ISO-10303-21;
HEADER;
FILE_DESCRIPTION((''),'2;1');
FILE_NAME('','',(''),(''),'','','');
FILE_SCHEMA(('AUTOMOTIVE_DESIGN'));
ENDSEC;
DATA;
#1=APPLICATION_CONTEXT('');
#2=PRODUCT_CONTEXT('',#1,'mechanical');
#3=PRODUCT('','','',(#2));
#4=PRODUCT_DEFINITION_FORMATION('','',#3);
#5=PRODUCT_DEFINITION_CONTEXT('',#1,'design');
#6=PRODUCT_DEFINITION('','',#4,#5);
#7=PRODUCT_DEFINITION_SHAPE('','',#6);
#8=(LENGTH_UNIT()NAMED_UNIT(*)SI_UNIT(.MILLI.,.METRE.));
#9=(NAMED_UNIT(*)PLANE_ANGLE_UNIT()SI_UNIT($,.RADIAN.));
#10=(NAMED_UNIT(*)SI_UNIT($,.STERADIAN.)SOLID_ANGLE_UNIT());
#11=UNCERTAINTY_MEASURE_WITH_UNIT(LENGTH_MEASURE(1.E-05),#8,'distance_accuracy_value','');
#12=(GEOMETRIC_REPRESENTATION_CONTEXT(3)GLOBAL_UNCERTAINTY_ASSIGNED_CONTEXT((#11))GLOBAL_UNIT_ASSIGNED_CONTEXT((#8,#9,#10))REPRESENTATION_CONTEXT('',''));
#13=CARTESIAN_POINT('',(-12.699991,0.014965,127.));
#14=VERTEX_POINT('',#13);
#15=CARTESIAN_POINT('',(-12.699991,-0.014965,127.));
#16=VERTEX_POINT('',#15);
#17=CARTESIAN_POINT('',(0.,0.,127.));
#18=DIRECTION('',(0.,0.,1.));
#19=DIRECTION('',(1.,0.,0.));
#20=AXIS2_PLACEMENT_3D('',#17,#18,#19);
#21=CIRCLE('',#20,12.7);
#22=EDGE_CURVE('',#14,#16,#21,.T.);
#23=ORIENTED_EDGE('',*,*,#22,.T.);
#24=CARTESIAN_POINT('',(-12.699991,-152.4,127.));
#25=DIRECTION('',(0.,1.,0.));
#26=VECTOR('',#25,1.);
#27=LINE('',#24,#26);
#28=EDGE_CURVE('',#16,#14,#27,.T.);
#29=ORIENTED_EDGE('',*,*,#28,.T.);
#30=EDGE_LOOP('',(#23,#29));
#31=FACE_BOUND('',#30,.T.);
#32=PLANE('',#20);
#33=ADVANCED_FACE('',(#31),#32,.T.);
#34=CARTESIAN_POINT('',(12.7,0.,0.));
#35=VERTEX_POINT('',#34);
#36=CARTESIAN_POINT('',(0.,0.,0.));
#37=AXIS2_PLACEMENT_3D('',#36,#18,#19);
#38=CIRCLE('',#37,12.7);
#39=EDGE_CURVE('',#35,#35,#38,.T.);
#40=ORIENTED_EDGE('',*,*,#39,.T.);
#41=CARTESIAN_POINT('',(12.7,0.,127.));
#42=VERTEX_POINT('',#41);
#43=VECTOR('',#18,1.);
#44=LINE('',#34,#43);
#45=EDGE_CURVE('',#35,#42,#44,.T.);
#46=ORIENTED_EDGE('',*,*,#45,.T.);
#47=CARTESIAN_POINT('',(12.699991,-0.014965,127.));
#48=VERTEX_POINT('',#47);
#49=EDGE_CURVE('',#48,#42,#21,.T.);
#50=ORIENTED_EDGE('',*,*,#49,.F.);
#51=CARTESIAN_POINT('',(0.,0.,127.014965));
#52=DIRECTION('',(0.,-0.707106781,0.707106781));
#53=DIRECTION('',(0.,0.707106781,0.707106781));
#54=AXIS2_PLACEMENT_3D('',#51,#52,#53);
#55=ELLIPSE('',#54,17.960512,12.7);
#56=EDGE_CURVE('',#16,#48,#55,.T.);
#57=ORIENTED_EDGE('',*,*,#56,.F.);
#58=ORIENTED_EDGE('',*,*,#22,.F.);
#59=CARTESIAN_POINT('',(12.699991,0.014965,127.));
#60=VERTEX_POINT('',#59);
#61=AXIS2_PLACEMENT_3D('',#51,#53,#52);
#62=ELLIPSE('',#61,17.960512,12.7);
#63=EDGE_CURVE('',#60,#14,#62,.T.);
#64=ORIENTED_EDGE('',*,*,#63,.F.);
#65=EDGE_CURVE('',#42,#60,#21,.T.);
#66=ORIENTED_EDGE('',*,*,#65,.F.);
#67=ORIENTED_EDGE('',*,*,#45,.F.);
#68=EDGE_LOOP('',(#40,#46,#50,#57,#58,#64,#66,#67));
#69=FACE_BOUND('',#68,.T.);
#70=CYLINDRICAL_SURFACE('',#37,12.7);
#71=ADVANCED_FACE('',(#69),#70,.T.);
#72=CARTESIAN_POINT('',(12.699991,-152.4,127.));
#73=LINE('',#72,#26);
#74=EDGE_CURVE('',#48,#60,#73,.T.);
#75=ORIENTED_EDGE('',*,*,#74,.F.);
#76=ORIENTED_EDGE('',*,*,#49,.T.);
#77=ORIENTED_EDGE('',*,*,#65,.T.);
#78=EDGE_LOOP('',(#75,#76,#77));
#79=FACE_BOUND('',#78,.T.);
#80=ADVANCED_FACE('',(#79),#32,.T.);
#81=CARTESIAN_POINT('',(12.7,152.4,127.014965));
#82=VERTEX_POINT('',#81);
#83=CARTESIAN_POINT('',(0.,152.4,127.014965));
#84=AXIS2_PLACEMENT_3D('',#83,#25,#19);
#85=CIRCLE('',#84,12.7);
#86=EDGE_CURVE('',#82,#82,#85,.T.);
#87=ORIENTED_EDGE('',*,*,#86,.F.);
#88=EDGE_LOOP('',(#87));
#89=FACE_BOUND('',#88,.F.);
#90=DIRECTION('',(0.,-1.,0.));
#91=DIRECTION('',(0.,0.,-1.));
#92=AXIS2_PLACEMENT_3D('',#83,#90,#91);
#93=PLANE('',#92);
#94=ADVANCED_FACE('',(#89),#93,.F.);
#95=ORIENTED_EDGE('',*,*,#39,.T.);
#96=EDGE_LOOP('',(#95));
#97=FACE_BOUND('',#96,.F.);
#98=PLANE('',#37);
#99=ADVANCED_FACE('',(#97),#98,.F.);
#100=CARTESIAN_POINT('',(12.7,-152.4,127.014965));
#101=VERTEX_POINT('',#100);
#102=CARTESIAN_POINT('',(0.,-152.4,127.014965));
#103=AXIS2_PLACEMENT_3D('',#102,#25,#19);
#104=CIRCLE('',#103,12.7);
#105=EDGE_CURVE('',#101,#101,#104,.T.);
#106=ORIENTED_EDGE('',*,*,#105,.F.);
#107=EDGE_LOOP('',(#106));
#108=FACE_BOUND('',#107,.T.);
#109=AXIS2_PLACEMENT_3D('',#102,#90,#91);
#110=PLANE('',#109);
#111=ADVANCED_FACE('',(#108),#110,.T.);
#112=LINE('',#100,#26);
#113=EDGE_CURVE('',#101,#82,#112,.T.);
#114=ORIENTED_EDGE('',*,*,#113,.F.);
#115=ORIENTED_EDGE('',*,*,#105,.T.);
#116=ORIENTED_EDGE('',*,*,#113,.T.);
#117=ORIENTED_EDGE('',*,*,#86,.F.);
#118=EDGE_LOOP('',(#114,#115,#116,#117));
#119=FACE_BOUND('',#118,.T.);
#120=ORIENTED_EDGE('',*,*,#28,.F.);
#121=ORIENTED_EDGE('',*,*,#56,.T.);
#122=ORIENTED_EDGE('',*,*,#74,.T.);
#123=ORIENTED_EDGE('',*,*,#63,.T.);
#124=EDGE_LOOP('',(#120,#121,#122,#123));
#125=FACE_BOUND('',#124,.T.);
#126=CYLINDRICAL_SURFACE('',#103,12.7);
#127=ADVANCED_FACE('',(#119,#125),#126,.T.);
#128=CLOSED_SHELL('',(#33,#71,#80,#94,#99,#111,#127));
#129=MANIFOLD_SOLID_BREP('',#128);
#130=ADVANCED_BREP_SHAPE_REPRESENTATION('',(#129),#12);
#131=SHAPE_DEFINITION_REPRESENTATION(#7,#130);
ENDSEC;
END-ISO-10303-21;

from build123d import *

# Parameters (mm, degrees)
F0_R = 12.7
F6_R = 12.7


with BuildPart() as f4:
    # F4: sweep along a path in F1
    with BuildLine(Plane.YZ) as f4_path:
        Line((0, 0), (0, 127))
    # F0 (on Top) → F4 (sweep)
    with BuildSketch(Plane.XY):
        Circle(F0_R)
    sweep(path=f4_path.line)

    # F7: sweep along a path in F3
    with BuildLine(Plane.XY.offset(127)) as f7_path:
        Line((0, -152.4), (0, 0))
        Line((0, 0), (0, 152.4))
    # F6 (on face) → F7 (sweep)
    with BuildSketch(Plane.XZ.offset(152.4)):
        with Locations((0, 127.014965)):
            Circle(F6_R)
    sweep(path=f7_path.line)


solid = f4.part
